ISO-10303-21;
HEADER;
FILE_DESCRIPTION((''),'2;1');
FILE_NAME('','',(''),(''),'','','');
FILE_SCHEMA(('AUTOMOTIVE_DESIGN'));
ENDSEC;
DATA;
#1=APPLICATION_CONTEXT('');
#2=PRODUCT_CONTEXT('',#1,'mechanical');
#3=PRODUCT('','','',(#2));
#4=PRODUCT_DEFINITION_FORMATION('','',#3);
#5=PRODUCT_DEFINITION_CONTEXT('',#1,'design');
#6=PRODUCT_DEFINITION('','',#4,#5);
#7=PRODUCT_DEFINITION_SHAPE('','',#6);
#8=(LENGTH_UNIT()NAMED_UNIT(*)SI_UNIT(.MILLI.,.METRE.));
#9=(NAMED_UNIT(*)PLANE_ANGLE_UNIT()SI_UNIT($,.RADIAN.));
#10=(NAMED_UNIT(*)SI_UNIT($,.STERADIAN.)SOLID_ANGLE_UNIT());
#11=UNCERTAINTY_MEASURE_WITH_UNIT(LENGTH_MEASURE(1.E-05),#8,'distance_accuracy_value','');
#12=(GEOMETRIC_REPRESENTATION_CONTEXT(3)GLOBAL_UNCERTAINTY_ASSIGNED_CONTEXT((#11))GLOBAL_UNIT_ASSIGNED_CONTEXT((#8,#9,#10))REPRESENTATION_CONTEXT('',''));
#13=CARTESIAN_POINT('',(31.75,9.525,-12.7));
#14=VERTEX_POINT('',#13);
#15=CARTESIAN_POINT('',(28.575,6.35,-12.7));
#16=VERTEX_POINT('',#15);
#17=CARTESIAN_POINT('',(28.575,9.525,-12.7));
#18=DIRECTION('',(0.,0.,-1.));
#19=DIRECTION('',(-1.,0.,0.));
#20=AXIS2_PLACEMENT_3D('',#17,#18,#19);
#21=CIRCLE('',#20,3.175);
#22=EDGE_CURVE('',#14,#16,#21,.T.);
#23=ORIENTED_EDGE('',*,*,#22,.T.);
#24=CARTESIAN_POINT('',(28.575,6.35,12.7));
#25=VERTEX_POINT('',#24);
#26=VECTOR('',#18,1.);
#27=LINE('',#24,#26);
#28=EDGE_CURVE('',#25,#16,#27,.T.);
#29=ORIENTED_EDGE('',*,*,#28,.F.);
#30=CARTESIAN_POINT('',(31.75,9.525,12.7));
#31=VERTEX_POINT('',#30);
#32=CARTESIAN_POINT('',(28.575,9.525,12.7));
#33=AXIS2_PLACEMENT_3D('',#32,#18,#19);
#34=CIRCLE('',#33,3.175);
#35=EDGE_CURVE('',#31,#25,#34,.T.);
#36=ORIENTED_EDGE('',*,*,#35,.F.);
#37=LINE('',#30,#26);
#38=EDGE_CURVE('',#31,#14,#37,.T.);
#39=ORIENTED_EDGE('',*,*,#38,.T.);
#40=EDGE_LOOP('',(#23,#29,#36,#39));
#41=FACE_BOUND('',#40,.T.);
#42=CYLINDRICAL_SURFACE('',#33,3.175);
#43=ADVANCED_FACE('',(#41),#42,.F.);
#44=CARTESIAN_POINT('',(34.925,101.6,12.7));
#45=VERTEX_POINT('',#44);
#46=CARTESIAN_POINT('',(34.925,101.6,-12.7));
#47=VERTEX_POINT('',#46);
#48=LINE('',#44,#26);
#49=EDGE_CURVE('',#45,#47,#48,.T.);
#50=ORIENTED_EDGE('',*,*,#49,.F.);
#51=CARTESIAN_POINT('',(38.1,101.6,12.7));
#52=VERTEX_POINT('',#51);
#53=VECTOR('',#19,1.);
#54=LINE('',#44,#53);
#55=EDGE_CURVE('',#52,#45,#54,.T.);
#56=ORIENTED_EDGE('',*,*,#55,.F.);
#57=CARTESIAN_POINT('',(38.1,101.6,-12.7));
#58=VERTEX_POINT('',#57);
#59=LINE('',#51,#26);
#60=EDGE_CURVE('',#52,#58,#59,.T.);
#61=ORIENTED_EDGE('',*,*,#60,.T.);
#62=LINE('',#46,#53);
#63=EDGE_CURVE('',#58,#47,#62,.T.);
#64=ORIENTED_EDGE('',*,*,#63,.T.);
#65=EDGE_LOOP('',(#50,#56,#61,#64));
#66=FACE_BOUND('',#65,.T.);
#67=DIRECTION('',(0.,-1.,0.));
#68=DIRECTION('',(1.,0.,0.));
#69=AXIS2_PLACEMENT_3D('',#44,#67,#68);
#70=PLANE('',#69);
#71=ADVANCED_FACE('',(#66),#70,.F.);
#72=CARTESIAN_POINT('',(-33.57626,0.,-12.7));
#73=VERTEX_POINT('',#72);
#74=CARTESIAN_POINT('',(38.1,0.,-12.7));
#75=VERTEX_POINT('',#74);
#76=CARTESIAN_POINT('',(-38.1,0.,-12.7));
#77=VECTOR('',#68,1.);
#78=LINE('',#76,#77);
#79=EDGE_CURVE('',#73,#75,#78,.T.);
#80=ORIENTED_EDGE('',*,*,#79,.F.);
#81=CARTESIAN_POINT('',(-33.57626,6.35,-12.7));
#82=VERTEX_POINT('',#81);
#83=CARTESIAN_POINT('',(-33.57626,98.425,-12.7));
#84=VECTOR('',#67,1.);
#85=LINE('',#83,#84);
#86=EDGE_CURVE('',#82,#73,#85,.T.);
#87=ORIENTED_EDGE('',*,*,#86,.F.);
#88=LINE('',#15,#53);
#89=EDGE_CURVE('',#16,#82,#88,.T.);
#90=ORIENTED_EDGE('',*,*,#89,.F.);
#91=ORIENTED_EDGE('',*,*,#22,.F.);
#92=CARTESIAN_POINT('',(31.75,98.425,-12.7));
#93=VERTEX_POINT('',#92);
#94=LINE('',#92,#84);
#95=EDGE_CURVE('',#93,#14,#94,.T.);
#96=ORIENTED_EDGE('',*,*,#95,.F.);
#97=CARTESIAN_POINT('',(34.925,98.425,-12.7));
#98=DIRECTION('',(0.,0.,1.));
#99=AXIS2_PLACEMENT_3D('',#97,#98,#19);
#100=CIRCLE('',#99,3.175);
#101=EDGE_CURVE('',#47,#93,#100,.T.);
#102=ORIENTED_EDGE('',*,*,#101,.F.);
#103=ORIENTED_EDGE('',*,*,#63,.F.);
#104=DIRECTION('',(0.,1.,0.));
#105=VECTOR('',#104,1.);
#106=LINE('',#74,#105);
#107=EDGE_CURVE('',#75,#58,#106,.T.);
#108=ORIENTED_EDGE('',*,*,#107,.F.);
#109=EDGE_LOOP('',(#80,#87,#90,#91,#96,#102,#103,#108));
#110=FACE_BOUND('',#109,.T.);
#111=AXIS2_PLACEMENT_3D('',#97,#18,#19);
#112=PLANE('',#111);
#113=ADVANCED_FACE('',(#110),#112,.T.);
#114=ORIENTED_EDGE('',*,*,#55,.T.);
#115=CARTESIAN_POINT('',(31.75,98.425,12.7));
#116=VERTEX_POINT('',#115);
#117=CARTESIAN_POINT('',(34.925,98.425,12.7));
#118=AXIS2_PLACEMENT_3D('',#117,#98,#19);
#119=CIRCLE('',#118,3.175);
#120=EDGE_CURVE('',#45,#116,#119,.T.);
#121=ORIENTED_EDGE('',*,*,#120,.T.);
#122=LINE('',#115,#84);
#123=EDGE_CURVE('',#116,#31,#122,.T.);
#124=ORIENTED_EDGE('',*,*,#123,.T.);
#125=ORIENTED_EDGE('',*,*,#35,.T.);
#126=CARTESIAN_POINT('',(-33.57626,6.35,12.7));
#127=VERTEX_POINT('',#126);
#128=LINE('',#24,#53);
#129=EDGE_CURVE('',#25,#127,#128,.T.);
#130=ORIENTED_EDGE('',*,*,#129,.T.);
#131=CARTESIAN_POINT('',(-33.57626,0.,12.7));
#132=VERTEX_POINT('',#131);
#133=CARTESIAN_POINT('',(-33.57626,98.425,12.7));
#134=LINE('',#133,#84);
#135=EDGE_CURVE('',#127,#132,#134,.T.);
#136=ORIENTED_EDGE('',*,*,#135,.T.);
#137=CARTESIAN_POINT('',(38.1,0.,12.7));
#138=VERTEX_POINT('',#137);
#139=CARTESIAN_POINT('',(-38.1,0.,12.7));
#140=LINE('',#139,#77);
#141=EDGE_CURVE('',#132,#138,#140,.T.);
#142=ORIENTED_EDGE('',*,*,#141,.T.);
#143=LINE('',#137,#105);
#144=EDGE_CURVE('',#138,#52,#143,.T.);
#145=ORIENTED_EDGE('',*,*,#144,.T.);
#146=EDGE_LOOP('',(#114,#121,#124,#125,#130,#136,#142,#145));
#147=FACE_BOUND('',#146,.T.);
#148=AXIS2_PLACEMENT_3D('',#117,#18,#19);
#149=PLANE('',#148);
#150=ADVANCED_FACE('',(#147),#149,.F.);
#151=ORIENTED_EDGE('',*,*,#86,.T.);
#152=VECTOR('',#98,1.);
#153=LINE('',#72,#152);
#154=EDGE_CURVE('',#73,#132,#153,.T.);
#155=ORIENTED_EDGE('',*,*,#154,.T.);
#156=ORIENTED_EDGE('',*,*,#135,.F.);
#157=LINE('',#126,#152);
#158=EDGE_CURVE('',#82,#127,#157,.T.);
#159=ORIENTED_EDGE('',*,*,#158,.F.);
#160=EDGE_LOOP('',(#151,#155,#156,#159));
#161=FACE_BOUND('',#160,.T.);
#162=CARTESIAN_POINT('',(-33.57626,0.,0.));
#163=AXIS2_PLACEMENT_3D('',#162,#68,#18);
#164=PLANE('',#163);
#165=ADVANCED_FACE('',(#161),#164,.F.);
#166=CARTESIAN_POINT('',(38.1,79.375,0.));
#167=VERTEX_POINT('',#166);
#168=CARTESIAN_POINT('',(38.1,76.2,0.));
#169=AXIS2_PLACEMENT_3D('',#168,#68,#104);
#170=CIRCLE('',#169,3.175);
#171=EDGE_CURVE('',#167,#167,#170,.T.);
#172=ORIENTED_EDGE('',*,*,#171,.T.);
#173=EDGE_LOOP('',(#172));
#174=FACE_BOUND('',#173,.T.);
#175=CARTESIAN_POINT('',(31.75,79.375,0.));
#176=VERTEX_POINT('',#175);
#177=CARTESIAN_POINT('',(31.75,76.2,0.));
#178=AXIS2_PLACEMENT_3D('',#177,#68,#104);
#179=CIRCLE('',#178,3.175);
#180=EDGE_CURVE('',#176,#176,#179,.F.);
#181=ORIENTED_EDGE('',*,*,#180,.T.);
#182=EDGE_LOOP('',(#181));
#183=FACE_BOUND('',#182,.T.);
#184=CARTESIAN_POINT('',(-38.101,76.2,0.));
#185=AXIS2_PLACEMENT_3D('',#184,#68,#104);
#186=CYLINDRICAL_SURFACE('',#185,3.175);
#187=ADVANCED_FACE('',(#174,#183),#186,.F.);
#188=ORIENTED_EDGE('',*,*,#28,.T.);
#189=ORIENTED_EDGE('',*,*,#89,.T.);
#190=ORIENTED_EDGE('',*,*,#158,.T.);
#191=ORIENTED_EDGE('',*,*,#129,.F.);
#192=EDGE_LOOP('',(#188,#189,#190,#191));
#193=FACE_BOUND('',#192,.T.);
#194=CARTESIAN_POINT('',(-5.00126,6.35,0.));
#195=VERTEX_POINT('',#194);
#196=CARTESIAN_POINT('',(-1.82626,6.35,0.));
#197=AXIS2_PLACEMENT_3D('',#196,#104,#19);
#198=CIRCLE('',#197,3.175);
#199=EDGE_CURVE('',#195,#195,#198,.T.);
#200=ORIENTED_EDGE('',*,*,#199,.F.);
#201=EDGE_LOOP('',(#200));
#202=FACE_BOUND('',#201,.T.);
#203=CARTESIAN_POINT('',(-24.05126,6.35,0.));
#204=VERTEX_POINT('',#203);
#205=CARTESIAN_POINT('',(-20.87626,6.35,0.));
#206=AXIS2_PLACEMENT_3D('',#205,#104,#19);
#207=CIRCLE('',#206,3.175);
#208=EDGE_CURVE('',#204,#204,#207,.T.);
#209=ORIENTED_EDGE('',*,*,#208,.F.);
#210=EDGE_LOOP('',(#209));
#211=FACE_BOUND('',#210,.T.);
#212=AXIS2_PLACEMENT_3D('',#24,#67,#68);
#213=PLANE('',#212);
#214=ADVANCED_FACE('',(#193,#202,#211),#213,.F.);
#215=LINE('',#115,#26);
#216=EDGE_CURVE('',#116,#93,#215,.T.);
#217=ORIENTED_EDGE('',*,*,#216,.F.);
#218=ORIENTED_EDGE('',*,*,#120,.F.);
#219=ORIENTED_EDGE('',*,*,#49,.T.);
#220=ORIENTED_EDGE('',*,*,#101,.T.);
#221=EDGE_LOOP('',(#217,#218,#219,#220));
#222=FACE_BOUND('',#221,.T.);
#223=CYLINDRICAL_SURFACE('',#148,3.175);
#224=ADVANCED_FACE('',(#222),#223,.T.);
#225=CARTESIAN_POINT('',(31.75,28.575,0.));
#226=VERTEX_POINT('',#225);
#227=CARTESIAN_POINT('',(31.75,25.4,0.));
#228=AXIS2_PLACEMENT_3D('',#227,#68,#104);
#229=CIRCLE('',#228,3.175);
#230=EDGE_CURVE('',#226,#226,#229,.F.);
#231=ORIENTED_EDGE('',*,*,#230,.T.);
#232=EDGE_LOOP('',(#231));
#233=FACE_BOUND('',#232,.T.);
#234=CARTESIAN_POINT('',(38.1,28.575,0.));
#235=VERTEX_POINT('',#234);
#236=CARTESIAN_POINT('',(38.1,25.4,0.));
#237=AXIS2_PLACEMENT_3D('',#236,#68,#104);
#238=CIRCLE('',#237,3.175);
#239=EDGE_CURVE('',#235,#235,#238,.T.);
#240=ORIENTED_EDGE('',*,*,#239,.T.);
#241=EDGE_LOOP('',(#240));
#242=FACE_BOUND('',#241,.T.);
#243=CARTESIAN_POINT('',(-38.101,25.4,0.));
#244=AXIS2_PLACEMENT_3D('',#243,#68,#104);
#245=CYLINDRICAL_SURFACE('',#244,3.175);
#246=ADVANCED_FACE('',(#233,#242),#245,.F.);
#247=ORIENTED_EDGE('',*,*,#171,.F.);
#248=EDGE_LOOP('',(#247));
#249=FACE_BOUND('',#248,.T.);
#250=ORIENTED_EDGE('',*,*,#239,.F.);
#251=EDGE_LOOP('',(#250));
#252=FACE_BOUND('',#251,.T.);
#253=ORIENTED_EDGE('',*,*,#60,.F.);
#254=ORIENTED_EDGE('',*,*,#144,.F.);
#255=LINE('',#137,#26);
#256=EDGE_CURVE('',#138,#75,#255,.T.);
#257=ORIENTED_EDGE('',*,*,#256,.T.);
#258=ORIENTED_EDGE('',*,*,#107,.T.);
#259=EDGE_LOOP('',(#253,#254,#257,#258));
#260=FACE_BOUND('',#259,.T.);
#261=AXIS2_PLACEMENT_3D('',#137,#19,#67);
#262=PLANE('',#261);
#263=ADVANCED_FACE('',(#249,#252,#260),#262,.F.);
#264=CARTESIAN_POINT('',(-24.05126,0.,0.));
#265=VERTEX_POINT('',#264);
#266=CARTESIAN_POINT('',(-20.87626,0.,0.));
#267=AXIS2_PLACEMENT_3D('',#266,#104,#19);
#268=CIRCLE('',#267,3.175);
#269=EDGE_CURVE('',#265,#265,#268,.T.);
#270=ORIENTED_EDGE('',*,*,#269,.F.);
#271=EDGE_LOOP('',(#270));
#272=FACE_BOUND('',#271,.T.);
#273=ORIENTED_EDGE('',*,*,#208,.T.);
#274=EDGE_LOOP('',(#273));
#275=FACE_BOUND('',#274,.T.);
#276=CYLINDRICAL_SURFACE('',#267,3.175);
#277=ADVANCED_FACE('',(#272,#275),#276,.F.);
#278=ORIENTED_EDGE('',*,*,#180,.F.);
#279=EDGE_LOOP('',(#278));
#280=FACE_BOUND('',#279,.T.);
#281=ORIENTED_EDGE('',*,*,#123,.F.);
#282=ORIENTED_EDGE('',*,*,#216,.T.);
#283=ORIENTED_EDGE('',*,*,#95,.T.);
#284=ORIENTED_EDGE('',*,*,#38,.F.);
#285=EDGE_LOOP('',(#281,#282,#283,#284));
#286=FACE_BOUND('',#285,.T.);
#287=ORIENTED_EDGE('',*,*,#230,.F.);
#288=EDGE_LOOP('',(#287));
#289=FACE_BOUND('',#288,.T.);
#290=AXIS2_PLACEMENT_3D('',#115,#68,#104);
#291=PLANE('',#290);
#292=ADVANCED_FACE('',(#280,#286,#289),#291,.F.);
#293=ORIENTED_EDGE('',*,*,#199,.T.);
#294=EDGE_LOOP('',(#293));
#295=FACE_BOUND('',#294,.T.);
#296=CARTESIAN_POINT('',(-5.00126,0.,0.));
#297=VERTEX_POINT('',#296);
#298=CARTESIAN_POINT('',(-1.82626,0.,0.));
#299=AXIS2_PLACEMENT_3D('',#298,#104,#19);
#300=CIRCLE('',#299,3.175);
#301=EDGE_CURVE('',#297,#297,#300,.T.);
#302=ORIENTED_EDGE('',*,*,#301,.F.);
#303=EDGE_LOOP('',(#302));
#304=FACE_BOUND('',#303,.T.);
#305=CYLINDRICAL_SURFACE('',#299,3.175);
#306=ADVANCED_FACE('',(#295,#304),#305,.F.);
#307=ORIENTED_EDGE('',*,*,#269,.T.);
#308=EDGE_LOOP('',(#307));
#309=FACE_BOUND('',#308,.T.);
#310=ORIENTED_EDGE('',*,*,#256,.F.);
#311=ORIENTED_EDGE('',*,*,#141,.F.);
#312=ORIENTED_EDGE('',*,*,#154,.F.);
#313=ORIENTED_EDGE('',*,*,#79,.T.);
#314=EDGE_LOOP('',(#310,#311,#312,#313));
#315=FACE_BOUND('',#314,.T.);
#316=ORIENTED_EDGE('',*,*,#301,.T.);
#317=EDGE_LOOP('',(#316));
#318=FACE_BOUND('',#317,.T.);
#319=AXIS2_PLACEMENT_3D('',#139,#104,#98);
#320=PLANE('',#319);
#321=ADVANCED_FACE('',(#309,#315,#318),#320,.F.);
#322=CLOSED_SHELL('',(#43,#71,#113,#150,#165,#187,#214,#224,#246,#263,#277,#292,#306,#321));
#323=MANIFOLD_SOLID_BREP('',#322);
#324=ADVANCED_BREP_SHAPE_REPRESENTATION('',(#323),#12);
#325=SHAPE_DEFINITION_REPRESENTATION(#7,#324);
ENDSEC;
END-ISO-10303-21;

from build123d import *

# Parameters (mm, degrees)
BOSS_EXTRUDE1_DEPTH = 12.7
CUT_EXTRUDE1_REACH  = 78.2
SKETCH3_R           = 3.175
SKETCH4_W           = 28.507373457
SKETCH4_H           = 9.150354521
CUT_EXTRUDE2_DEPTH  = 4.52374
SKETCH5_R           = 3.175
CUT_EXTRUDE3_DEPTH  = 7.35


with BuildPart() as part:
    # Sketch2 → Boss-Extrude1 (new body, symmetric)
    with BuildSketch(Plane.XY):
        with BuildLine():
            Line((-38.1, 0), (38.1, 0))
            Line((38.1, 0), (38.1, 101.6))
            Line((38.1, 101.6), (34.925, 101.6))
            ThreePointArc((34.925, 101.6), (32.67993597, 100.67006403), (31.75, 98.425))
            Line((31.75, 98.425), (31.75, 9.525))
            ThreePointArc((31.75, 9.525), (30.82006403, 7.27993597), (28.575, 6.35))
            Line((28.575, 6.35), (-34.925, 6.35))
            ThreePointArc((-34.925, 6.35), (-37.17006403, 5.42006403), (-38.1, 3.175))
            Line((-38.1, 3.175), (-38.1, 0))
        make_face()
    extrude(amount=BOSS_EXTRUDE1_DEPTH, both=True)

    # Sketch3 → Cut-Extrude1 (cut, up to next)
    with BuildSketch(Plane(origin=(38.1, 0, 0), x_dir=(0, 0, -1), z_dir=(1, 0, 0)), mode=Mode.PRIVATE) as cut_extrude1_sk1:
        with Locations((0, 76.2)):
            Circle(SKETCH3_R)
    cut_extrude1_tool1 = extrude(cut_extrude1_sk1.sketch, amount=-CUT_EXTRUDE1_REACH, mode=Mode.PRIVATE) & part.part
    add(cut_extrude1_tool1.solids().sort_by_distance((38.1, 76.2, 0))[0], mode=Mode.SUBTRACT)
    # Sketch3 → Cut-Extrude1 (cut, up to next)
    with BuildSketch(Plane(origin=(38.1, 0, 0), x_dir=(0, 0, -1), z_dir=(1, 0, 0)), mode=Mode.PRIVATE) as cut_extrude1_sk2:
        with Locations((0, 25.4)):
            Circle(SKETCH3_R)
    cut_extrude1_tool2 = extrude(cut_extrude1_sk2.sketch, amount=-CUT_EXTRUDE1_REACH, mode=Mode.PRIVATE) & part.part
    add(cut_extrude1_tool2.solids().sort_by_distance((38.1, 25.4, 0))[0], mode=Mode.SUBTRACT)

    # Sketch4 → Cut-Extrude2 (cut)
    with BuildSketch(Plane.ZY.offset(38.1)):
        with Locations((1.553686728, 4.575177261)):
            Rectangle(SKETCH4_W, SKETCH4_H)
    extrude(amount=-CUT_EXTRUDE2_DEPTH, mode=Mode.SUBTRACT)

    # Sketch5 → Cut-Extrude3 (cut, through all)
    with BuildSketch(Plane(origin=(0, 6.35, 0), x_dir=(1, 0, 0), z_dir=(0, 1, 0))):
        with Locations((-1.82626, 0)):
            Circle(SKETCH5_R)
        with Locations((-20.87626, 0)):
            Circle(SKETCH5_R)
    extrude(amount=-CUT_EXTRUDE3_DEPTH, mode=Mode.SUBTRACT)


solid = part.part
